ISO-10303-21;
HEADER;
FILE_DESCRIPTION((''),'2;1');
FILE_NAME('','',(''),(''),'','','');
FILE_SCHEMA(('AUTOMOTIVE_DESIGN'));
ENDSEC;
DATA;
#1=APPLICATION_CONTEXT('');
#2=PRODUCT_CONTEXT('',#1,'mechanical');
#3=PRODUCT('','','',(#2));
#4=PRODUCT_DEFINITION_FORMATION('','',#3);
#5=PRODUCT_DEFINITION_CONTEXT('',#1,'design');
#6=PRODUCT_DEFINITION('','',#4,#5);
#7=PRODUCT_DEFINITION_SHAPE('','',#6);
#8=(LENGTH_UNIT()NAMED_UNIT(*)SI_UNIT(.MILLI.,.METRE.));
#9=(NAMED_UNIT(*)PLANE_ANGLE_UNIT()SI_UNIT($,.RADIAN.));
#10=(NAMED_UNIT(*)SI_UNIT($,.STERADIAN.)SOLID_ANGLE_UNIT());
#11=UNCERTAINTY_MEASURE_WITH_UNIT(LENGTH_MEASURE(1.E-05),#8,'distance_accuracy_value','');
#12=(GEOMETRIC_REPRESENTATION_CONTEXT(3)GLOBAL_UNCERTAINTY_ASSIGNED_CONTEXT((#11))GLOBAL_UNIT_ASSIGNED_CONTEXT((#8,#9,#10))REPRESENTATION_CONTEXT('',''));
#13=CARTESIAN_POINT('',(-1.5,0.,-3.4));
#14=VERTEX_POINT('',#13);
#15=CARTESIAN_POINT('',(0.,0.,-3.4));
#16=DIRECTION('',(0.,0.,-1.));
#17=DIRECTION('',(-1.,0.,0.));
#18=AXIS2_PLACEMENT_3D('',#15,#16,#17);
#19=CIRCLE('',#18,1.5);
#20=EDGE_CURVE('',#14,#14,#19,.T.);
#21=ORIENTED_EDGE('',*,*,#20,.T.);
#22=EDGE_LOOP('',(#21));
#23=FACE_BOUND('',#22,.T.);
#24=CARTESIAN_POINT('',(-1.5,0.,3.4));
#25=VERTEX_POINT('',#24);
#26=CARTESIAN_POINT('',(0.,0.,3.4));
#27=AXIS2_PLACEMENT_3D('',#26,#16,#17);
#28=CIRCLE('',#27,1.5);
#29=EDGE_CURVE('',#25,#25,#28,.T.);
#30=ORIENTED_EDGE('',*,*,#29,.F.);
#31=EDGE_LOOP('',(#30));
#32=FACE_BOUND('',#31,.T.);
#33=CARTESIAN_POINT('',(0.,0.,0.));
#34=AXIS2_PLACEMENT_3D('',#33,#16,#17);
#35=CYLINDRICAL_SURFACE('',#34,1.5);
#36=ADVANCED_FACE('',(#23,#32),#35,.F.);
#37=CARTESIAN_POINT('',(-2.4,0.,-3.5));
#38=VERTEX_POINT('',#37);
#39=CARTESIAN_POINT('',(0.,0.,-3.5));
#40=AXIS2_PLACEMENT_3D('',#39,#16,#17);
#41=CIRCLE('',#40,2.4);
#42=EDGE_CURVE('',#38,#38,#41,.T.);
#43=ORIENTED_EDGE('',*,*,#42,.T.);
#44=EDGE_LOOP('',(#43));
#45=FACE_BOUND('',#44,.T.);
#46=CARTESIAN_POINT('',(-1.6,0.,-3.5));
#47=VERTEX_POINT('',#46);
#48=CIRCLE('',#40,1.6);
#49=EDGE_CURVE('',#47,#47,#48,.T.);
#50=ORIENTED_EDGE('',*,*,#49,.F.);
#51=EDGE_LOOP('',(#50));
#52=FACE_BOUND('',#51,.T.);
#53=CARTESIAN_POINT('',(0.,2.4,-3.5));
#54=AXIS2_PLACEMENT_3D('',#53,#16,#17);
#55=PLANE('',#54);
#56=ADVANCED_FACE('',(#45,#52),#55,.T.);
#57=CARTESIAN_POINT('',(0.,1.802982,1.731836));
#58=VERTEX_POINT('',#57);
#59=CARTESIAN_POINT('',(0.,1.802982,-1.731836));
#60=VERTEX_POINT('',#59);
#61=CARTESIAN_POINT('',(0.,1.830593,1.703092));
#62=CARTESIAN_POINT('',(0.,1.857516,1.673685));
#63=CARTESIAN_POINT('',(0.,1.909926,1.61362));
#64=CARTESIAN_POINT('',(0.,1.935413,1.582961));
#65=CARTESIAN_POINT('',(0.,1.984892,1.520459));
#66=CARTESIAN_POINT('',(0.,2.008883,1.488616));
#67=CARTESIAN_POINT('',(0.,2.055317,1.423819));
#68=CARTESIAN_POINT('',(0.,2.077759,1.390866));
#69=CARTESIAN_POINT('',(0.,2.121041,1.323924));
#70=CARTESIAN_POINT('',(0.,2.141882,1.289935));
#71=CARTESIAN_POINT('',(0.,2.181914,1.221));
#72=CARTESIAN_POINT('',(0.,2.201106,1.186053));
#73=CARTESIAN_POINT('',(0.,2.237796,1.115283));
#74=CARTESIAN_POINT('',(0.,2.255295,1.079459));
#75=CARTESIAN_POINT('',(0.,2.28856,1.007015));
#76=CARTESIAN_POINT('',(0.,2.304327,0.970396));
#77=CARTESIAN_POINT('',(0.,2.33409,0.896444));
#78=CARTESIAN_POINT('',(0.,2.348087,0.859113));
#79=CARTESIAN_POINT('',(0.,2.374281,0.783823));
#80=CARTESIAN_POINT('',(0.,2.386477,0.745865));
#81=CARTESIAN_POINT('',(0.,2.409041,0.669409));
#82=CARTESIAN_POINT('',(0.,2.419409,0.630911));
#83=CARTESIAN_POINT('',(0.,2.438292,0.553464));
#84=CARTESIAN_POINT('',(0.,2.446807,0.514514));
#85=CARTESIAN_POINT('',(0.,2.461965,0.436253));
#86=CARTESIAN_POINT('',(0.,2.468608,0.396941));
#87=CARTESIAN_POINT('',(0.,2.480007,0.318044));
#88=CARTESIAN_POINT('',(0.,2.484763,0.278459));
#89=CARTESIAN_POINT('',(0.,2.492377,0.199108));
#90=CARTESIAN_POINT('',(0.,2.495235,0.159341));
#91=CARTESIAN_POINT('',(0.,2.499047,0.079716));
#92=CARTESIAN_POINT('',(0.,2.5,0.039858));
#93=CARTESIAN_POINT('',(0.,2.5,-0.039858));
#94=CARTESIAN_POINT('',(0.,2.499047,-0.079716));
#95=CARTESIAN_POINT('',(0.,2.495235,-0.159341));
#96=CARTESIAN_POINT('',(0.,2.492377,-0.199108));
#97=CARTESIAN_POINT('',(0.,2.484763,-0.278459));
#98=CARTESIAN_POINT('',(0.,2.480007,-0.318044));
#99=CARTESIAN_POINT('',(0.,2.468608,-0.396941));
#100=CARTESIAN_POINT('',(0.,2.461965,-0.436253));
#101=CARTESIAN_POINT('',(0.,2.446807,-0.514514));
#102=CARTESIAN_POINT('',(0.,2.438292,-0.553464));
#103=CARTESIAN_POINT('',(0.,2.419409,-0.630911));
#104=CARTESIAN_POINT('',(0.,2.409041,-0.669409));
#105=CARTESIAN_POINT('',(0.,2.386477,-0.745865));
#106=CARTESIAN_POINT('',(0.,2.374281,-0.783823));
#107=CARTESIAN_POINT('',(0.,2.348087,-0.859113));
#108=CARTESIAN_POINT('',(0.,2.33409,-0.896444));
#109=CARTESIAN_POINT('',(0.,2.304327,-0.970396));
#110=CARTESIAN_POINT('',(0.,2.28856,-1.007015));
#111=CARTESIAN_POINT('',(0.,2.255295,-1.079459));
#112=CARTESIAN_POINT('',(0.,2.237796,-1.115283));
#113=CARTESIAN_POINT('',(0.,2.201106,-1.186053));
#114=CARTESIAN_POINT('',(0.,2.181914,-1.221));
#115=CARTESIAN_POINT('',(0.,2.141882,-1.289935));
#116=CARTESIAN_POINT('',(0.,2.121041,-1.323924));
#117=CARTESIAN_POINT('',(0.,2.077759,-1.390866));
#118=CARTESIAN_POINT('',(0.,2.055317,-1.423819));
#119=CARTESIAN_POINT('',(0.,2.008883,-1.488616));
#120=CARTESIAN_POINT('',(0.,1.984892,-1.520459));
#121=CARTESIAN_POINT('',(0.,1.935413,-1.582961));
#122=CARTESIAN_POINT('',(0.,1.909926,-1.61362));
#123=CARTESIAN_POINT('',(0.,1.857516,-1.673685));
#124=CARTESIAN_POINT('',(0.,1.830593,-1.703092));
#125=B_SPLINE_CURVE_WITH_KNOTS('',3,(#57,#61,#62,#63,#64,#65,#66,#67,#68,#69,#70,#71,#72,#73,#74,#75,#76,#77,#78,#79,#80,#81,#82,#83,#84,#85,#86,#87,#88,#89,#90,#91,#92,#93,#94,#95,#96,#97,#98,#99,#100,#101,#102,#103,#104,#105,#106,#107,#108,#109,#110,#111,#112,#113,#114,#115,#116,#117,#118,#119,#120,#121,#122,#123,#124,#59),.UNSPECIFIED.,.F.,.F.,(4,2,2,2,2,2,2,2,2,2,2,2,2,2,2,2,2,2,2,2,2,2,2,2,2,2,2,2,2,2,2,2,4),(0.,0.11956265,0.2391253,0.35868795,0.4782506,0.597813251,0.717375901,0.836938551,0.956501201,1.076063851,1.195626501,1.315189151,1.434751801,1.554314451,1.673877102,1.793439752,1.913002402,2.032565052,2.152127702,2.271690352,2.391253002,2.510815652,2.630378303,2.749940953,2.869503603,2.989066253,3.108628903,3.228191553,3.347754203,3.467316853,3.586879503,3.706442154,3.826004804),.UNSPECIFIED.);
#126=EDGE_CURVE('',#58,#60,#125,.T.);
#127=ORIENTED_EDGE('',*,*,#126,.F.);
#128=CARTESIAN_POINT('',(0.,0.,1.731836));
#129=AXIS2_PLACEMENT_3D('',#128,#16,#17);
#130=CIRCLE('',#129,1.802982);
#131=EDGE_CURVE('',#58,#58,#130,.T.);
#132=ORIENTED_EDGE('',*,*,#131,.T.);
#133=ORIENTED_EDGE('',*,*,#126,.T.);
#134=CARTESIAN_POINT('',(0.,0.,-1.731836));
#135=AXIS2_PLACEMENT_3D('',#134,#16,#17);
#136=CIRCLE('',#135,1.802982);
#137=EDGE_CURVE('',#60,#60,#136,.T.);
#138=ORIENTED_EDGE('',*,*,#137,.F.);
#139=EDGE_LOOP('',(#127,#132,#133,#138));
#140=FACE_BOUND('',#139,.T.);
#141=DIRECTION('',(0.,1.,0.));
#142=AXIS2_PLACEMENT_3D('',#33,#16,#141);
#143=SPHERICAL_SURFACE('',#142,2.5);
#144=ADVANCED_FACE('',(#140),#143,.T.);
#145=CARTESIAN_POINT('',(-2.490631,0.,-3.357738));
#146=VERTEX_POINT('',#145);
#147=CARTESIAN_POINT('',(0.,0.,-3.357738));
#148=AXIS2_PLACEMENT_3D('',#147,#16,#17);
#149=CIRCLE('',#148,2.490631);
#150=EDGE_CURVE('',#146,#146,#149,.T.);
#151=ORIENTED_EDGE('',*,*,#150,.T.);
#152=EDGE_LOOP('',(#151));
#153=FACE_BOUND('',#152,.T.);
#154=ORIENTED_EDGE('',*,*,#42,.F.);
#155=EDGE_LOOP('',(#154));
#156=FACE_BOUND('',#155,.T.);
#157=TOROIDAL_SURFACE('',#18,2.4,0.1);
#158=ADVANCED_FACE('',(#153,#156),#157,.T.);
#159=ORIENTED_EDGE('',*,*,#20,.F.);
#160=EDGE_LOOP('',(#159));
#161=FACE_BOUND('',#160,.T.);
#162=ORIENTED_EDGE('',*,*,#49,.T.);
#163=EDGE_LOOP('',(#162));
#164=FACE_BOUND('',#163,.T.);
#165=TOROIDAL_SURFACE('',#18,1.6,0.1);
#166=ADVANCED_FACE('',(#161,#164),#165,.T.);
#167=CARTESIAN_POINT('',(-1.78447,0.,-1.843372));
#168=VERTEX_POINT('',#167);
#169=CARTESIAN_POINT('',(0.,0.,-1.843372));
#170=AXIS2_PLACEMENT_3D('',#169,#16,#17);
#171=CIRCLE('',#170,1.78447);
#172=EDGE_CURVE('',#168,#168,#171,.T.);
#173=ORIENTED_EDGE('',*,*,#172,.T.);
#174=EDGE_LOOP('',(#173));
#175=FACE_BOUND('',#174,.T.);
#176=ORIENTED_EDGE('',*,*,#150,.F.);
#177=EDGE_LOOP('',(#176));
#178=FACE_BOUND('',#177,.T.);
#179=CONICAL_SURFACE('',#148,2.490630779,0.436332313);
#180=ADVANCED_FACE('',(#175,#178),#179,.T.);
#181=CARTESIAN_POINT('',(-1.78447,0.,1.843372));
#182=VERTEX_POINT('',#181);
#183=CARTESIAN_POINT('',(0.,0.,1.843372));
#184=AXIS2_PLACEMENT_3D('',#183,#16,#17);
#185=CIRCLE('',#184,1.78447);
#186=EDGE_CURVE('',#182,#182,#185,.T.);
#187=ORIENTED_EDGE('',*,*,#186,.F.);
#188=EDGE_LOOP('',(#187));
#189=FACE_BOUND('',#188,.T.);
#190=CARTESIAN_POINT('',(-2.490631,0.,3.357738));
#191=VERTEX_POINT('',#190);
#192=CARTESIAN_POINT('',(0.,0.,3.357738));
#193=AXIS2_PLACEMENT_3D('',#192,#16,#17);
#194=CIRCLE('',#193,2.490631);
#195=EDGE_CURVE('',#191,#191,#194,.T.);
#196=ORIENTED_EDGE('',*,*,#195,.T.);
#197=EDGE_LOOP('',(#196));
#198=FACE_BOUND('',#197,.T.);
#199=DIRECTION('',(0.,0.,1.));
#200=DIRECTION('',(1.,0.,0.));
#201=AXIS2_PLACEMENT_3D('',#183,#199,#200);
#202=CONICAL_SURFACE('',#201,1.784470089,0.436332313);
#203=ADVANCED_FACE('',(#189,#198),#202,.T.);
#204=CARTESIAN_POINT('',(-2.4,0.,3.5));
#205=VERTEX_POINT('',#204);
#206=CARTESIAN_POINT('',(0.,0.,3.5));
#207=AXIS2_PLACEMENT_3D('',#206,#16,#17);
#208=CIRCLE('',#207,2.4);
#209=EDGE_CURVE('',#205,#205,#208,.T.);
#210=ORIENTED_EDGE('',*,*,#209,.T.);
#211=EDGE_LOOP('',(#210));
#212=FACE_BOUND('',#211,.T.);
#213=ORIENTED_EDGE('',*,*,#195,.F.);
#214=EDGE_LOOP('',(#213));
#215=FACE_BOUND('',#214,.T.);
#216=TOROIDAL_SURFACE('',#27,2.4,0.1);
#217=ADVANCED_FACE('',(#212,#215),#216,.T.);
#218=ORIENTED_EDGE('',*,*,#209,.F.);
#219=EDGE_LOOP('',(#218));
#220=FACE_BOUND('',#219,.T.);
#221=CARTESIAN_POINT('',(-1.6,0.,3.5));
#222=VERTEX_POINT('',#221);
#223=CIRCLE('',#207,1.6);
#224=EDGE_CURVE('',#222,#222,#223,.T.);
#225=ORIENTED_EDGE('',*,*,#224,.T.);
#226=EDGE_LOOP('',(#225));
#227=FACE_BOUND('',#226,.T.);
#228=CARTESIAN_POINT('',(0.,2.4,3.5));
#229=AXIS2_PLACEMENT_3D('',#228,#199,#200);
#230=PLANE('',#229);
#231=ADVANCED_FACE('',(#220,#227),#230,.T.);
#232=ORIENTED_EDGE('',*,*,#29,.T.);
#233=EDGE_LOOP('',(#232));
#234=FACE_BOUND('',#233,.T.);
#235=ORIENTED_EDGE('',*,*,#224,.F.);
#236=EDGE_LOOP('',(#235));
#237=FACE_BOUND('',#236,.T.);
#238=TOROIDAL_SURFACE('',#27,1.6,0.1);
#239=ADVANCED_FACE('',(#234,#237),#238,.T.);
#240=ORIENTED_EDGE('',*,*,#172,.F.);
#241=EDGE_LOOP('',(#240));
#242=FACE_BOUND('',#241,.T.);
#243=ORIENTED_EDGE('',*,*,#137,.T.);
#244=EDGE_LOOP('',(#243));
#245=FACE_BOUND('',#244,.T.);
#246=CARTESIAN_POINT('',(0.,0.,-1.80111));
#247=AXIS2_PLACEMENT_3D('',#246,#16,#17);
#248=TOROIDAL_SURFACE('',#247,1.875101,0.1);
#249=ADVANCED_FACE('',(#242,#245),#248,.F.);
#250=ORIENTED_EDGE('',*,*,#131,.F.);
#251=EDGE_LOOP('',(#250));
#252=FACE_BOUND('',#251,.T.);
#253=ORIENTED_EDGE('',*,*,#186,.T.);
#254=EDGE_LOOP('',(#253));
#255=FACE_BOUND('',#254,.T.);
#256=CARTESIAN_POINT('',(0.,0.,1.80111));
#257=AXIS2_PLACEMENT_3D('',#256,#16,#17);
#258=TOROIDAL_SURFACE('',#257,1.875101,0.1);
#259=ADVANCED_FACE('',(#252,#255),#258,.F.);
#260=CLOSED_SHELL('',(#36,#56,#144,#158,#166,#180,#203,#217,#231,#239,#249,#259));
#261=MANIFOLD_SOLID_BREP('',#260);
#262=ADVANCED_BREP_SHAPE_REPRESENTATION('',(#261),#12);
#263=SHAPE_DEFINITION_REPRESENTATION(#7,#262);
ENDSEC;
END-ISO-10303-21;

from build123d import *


with BuildPart() as part:
    # Sketch1 → Revolve1 (revolve)
    with BuildSketch(Plane(origin=(0, 0, 0), x_dir=(0, 0, -1), z_dir=(1, 0, 0)), mode=Mode.PRIVATE) as revolve1_sk:
        with BuildLine():
            Line((-3.5, 2.4), (-3.5, 1.6))
            ThreePointArc((-3.5, 1.6), (-3.470710678, 1.529289322), (-3.4, 1.5))
            Line((-3.4, 1.5), (3.4, 1.5))
            ThreePointArc((3.4, 1.5), (3.470710678, 1.529289322), (3.5, 1.6))
            Line((3.5, 1.6), (3.5, 2.4))
            ThreePointArc((3.5, 2.4), (3.453729961, 2.484339145), (3.357738174, 2.490630779))
            Line((3.357738174, 2.490630779), (1.843371688, 1.784470089))
            ThreePointArc((1.843371688, 1.784470089), (1.784736833, 1.776450354), (1.731836406, 1.802981604))
            ThreePointArc((1.731836406, 1.802981604), (0, 2.5), (-1.731836406, 1.802981604))
            ThreePointArc((-1.731836406, 1.802981604), (-1.784736833, 1.776450354), (-1.843371688, 1.784470089))
            Line((-1.843371688, 1.784470089), (-3.357738174, 2.490630779))
            ThreePointArc((-3.357738174, 2.490630779), (-3.453729961, 2.484339145), (-3.5, 2.4))
        make_face()
    revolve(revolve1_sk.sketch.rotate(Axis((0, 0, 0), (0, 0, 1)), 90), axis=Axis((0, 0, 0), (0, 0, 1)))


solid = part.part
